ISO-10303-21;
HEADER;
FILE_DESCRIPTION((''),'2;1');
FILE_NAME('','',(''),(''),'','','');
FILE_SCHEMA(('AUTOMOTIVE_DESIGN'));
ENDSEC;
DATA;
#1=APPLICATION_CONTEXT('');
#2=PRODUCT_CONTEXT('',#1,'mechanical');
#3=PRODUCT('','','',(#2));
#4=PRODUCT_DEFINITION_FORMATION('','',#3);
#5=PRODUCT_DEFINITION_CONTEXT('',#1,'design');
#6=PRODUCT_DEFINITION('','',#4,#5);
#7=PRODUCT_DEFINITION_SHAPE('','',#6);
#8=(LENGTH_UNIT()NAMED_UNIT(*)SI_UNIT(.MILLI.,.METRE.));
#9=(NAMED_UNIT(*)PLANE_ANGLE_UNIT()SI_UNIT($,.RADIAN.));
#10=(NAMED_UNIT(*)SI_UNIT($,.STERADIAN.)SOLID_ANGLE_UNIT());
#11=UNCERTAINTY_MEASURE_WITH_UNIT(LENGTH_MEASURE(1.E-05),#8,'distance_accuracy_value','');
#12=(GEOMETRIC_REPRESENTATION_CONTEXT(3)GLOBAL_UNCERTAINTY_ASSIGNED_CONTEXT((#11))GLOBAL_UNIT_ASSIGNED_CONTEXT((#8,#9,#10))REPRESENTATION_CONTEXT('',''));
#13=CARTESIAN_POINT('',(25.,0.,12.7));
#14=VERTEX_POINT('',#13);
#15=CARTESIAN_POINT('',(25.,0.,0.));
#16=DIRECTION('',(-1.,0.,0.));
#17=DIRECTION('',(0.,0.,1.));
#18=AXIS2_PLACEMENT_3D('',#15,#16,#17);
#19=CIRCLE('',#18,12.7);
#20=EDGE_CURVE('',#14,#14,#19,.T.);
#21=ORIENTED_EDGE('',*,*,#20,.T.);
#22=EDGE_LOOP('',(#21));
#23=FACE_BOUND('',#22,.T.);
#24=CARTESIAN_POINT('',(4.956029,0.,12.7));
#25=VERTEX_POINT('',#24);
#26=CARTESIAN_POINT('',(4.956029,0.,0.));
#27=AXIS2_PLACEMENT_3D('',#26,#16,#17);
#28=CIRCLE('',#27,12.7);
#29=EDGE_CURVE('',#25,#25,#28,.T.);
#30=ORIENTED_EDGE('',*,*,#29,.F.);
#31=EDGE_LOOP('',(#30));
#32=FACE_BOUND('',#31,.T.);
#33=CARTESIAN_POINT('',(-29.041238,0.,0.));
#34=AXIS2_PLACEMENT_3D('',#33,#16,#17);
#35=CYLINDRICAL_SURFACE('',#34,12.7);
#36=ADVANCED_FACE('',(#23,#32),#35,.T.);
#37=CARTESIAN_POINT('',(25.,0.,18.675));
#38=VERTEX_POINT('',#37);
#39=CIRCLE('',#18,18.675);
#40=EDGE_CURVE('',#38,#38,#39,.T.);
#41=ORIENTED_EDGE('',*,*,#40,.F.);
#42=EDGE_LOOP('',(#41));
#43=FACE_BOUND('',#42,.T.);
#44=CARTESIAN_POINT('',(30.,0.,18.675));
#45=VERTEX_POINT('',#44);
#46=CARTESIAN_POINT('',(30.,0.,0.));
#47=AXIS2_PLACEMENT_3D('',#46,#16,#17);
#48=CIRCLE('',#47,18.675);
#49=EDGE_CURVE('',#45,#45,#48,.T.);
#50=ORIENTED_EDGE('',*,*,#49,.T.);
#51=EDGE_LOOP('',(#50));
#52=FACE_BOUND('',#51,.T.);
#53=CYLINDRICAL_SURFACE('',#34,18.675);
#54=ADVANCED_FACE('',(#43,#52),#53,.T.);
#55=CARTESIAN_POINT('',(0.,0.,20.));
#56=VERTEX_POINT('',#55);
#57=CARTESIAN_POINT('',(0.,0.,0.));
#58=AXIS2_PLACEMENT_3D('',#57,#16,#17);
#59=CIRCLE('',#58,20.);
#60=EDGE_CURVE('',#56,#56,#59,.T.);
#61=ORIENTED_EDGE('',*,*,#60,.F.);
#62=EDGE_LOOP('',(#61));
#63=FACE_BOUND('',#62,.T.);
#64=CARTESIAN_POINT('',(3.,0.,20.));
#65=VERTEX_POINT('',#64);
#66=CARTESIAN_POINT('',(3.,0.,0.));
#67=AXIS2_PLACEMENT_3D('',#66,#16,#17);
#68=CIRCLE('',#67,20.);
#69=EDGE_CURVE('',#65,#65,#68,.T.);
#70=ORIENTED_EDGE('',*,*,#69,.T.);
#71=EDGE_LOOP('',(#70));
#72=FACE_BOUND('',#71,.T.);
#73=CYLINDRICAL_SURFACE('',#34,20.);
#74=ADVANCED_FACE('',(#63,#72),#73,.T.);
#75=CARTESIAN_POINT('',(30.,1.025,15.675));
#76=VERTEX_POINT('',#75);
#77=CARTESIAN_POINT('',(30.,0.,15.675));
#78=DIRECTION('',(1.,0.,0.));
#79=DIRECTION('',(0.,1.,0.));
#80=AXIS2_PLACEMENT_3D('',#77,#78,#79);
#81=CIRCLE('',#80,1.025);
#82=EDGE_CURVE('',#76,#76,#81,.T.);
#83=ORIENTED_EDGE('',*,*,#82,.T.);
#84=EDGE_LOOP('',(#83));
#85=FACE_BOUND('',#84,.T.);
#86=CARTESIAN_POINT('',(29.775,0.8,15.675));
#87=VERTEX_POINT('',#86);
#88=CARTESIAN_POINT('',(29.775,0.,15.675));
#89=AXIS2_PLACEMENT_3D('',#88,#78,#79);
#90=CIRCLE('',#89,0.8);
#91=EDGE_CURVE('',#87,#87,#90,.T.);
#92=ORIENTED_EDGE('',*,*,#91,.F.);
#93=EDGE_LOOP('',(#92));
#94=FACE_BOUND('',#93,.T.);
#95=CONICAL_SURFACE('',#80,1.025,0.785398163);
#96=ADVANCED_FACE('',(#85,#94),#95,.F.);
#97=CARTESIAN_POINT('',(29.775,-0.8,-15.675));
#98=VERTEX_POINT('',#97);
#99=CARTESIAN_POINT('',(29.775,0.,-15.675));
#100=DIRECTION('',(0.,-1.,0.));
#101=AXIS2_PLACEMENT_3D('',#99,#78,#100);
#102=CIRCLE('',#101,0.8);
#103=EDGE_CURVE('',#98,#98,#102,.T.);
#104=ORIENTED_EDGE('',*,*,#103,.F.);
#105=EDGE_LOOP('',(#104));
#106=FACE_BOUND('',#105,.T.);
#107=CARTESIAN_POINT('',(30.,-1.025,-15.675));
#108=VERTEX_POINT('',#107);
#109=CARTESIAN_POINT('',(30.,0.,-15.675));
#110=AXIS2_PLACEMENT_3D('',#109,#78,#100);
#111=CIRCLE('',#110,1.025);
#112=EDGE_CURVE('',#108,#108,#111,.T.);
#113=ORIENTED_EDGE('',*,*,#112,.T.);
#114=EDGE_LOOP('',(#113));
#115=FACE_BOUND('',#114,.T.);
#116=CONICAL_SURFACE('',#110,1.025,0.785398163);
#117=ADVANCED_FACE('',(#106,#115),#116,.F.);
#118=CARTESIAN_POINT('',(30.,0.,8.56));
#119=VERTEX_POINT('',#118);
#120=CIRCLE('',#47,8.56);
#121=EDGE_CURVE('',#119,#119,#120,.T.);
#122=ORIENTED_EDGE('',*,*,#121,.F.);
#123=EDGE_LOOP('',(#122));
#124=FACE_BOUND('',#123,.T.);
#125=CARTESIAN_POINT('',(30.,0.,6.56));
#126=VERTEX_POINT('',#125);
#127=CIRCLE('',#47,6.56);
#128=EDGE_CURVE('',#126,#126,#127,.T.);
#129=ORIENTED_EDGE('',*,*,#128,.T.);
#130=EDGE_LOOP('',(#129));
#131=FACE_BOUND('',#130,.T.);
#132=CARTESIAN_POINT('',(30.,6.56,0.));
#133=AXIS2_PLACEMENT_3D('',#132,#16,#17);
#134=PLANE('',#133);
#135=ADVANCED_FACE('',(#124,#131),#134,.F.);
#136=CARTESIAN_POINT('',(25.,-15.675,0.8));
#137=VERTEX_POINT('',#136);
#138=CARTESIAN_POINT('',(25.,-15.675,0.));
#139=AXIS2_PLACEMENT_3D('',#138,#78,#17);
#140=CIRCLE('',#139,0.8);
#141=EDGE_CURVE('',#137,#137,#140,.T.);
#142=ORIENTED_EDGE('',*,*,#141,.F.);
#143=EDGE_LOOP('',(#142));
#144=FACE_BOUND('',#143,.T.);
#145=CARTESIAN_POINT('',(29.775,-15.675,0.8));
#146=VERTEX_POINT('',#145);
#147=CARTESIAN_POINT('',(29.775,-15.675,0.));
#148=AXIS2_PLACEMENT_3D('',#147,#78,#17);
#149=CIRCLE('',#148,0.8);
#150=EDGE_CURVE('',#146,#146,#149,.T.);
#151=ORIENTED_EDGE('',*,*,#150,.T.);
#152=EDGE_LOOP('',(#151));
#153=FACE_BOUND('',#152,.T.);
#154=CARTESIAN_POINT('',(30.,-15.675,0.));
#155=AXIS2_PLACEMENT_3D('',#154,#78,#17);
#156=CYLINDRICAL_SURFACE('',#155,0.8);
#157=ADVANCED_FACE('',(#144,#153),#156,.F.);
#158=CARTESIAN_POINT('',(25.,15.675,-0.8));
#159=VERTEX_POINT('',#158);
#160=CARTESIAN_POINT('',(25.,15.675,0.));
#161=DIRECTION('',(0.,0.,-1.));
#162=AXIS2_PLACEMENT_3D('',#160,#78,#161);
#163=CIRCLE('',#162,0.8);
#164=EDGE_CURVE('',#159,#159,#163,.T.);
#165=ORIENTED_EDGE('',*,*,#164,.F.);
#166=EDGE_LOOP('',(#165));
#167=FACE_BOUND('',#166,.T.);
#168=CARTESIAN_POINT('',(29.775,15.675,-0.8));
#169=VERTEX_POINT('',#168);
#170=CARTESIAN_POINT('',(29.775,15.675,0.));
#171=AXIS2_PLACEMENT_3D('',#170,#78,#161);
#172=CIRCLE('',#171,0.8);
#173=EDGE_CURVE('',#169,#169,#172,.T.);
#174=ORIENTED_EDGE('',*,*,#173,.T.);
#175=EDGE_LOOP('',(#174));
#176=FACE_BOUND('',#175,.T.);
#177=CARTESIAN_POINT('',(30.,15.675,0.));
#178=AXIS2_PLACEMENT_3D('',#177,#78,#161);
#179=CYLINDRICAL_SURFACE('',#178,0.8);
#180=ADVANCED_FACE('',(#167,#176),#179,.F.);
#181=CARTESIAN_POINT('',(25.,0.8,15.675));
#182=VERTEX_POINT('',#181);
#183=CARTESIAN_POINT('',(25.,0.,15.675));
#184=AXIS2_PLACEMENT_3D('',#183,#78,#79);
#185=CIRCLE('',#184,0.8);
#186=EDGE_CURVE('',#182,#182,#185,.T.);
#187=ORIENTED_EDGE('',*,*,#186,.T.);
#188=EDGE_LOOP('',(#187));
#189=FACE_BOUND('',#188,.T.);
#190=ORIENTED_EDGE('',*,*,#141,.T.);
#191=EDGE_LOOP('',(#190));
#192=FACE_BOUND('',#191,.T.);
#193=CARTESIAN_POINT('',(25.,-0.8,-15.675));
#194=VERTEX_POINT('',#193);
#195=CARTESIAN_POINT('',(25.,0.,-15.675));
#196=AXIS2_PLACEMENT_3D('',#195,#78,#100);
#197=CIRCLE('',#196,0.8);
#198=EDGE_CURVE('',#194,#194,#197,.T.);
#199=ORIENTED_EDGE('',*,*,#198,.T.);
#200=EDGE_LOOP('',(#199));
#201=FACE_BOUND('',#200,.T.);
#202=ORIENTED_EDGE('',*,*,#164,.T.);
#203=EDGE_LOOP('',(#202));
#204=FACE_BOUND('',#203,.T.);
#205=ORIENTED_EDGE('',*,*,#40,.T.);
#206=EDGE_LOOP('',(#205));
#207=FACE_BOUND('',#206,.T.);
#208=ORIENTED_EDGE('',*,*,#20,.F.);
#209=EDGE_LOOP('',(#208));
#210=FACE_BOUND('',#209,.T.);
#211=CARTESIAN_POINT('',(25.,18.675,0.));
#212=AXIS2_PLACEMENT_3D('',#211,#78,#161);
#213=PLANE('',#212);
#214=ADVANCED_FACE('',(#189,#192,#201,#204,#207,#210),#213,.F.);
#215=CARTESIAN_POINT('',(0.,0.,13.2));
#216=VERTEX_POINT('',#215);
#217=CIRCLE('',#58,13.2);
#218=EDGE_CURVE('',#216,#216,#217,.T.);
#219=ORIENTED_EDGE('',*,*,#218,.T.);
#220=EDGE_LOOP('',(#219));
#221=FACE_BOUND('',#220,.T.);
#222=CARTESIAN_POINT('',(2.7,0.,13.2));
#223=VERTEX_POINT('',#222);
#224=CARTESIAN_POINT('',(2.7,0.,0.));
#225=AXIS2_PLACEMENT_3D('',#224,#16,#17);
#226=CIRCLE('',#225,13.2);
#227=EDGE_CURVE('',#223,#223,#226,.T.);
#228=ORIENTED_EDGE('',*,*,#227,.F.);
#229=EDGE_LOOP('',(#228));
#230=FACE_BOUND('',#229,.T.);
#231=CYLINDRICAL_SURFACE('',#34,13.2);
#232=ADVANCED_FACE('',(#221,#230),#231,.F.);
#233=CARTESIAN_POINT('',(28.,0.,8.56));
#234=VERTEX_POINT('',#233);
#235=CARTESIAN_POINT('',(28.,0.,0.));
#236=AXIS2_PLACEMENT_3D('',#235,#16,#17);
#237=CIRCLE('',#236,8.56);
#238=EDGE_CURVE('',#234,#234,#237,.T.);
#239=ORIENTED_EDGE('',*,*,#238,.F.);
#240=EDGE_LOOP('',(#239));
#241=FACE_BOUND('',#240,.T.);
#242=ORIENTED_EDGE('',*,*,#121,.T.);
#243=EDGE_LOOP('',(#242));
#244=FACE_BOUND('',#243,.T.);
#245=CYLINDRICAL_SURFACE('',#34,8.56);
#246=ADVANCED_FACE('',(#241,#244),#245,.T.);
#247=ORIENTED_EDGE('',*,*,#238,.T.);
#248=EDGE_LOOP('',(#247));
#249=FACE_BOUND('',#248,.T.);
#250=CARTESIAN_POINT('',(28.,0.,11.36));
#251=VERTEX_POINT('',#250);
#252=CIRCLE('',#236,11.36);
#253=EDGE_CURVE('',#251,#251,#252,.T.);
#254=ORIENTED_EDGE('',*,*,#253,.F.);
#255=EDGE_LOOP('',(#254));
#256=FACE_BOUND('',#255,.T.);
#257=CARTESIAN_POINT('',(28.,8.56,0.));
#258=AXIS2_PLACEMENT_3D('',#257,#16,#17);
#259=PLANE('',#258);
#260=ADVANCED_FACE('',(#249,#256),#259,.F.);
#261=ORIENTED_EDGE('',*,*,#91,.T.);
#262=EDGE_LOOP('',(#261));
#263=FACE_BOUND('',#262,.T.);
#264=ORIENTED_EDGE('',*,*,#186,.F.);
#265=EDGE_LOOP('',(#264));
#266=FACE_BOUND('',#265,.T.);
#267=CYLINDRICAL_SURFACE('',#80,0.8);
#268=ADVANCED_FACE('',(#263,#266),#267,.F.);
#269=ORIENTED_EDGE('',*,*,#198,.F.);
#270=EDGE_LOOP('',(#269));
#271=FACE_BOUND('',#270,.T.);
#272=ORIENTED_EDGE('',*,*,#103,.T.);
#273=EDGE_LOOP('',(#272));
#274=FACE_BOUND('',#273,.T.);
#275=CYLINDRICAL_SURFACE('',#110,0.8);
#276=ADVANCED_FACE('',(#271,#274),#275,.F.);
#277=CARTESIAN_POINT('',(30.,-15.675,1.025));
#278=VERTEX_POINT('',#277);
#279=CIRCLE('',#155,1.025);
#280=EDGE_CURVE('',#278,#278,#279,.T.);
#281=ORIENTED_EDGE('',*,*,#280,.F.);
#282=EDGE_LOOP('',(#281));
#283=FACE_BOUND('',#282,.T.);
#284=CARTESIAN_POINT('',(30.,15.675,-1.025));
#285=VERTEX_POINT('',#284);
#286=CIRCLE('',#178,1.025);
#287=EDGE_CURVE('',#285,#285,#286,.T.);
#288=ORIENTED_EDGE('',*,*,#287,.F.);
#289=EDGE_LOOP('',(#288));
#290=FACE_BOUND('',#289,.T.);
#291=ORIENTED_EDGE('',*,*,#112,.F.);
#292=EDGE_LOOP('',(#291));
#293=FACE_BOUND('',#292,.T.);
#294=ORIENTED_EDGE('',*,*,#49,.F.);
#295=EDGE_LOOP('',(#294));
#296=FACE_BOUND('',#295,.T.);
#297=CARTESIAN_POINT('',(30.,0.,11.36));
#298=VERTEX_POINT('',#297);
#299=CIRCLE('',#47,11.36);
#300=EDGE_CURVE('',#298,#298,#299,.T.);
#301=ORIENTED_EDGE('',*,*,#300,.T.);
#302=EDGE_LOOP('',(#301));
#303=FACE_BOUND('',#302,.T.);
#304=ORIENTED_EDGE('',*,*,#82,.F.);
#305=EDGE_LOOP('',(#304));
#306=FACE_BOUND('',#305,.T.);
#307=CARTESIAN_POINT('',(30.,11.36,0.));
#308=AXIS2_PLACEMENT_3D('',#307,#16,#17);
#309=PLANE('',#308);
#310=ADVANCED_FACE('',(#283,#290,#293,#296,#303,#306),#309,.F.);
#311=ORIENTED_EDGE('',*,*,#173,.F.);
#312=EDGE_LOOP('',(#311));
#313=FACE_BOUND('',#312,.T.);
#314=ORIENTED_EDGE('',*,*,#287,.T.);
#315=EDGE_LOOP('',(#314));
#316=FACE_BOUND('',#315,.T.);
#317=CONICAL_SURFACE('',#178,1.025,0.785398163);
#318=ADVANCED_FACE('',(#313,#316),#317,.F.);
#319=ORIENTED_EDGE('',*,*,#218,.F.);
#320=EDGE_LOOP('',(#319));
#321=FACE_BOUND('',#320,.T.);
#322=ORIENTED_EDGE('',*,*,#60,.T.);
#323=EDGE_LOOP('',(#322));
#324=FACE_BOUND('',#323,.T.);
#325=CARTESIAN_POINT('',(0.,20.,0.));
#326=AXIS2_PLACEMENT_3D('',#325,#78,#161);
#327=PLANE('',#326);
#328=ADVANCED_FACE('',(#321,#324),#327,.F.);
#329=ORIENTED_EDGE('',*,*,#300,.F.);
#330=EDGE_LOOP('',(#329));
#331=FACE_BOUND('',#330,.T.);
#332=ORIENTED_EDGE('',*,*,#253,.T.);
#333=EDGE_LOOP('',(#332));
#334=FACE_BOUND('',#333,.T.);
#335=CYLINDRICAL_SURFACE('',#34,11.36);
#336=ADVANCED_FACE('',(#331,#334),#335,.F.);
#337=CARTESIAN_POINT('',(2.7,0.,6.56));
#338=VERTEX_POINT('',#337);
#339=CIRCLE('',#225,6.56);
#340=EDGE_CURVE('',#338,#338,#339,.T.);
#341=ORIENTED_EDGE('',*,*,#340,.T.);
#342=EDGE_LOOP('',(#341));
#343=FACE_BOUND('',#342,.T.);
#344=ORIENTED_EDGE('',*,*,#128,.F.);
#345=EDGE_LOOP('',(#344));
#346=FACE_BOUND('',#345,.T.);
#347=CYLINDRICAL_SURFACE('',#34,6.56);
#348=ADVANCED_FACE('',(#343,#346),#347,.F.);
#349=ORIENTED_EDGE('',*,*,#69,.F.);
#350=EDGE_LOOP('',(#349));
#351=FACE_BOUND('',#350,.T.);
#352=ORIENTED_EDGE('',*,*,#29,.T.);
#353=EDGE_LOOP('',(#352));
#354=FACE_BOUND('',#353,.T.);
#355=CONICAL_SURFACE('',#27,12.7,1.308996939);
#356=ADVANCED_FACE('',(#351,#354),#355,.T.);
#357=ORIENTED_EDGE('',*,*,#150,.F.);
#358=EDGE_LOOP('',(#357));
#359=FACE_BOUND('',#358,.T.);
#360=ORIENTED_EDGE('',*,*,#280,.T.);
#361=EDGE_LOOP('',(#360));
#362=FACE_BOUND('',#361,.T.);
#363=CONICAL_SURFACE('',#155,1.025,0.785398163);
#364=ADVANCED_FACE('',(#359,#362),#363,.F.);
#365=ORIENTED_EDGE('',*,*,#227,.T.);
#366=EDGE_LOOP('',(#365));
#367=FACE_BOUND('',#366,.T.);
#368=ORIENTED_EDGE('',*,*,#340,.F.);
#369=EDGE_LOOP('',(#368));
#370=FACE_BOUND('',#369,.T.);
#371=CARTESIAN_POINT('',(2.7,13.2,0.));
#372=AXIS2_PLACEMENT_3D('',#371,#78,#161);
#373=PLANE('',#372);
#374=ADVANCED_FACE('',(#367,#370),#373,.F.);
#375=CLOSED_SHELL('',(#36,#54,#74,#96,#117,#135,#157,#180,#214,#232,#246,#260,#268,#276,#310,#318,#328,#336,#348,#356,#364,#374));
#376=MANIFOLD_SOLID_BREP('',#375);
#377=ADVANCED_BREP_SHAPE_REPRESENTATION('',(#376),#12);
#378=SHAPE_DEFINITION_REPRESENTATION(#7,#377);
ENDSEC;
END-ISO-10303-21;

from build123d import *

# Parameters (mm, degrees)
HOLE_WIZARD_M21_D           = 1.6
HOLE_WIZARD_M21_DEPTH       = 5
HOLE_WIZARD_M21_CSINK_D     = 2.05
HOLE_WIZARD_M21_CSINK_ANGLE = 90
PATTERN_CIRCULAR_1_COUNT    = 4


with BuildPart() as part:
    # Эскиз1 → Повернуть1 (revolve)
    with BuildSketch(Plane.XY, mode=Mode.PRIVATE) as revolve_1_sk:
        Polygon((0, 20), (0, 13.2), (2.7, 13.2), (2.7, 6.56), (30, 6.56), (30, 8.56), (28, 8.56), (28, 11.36), (30, 11.36), (30, 18.675), (25, 18.675), (25, 12.7), (4.956029105, 12.7), (3, 20), align=None)
    revolve(revolve_1_sk.sketch.rotate(Axis((-29.041238464, 0, 0), (1, 0, 0)), 90), axis=Axis((-29.041238464, 0, 0), (1, 0, 0)))

    # Отверстие обработанное метчиком M21
    with Locations(Plane(origin=(30, 0, 0), x_dir=(0, 0, -1), z_dir=(1, 0, 0))):
        with Locations((0, 15.675)):
            hole_wizard_m21 = CounterSinkHole(HOLE_WIZARD_M21_D / 2, HOLE_WIZARD_M21_CSINK_D / 2, depth=HOLE_WIZARD_M21_DEPTH, counter_sink_angle=HOLE_WIZARD_M21_CSINK_ANGLE)

    # Круговой массив1: Отверстие обработанное метчиком M21 ×4 about axis
    pattern_circular_1_axis = Axis((0, 0, 0), (1, 0, 0))
    for i in range(1, PATTERN_CIRCULAR_1_COUNT):
        add(hole_wizard_m21.rotate(pattern_circular_1_axis, i * 360 / PATTERN_CIRCULAR_1_COUNT), mode=Mode.SUBTRACT)


solid = part.part
